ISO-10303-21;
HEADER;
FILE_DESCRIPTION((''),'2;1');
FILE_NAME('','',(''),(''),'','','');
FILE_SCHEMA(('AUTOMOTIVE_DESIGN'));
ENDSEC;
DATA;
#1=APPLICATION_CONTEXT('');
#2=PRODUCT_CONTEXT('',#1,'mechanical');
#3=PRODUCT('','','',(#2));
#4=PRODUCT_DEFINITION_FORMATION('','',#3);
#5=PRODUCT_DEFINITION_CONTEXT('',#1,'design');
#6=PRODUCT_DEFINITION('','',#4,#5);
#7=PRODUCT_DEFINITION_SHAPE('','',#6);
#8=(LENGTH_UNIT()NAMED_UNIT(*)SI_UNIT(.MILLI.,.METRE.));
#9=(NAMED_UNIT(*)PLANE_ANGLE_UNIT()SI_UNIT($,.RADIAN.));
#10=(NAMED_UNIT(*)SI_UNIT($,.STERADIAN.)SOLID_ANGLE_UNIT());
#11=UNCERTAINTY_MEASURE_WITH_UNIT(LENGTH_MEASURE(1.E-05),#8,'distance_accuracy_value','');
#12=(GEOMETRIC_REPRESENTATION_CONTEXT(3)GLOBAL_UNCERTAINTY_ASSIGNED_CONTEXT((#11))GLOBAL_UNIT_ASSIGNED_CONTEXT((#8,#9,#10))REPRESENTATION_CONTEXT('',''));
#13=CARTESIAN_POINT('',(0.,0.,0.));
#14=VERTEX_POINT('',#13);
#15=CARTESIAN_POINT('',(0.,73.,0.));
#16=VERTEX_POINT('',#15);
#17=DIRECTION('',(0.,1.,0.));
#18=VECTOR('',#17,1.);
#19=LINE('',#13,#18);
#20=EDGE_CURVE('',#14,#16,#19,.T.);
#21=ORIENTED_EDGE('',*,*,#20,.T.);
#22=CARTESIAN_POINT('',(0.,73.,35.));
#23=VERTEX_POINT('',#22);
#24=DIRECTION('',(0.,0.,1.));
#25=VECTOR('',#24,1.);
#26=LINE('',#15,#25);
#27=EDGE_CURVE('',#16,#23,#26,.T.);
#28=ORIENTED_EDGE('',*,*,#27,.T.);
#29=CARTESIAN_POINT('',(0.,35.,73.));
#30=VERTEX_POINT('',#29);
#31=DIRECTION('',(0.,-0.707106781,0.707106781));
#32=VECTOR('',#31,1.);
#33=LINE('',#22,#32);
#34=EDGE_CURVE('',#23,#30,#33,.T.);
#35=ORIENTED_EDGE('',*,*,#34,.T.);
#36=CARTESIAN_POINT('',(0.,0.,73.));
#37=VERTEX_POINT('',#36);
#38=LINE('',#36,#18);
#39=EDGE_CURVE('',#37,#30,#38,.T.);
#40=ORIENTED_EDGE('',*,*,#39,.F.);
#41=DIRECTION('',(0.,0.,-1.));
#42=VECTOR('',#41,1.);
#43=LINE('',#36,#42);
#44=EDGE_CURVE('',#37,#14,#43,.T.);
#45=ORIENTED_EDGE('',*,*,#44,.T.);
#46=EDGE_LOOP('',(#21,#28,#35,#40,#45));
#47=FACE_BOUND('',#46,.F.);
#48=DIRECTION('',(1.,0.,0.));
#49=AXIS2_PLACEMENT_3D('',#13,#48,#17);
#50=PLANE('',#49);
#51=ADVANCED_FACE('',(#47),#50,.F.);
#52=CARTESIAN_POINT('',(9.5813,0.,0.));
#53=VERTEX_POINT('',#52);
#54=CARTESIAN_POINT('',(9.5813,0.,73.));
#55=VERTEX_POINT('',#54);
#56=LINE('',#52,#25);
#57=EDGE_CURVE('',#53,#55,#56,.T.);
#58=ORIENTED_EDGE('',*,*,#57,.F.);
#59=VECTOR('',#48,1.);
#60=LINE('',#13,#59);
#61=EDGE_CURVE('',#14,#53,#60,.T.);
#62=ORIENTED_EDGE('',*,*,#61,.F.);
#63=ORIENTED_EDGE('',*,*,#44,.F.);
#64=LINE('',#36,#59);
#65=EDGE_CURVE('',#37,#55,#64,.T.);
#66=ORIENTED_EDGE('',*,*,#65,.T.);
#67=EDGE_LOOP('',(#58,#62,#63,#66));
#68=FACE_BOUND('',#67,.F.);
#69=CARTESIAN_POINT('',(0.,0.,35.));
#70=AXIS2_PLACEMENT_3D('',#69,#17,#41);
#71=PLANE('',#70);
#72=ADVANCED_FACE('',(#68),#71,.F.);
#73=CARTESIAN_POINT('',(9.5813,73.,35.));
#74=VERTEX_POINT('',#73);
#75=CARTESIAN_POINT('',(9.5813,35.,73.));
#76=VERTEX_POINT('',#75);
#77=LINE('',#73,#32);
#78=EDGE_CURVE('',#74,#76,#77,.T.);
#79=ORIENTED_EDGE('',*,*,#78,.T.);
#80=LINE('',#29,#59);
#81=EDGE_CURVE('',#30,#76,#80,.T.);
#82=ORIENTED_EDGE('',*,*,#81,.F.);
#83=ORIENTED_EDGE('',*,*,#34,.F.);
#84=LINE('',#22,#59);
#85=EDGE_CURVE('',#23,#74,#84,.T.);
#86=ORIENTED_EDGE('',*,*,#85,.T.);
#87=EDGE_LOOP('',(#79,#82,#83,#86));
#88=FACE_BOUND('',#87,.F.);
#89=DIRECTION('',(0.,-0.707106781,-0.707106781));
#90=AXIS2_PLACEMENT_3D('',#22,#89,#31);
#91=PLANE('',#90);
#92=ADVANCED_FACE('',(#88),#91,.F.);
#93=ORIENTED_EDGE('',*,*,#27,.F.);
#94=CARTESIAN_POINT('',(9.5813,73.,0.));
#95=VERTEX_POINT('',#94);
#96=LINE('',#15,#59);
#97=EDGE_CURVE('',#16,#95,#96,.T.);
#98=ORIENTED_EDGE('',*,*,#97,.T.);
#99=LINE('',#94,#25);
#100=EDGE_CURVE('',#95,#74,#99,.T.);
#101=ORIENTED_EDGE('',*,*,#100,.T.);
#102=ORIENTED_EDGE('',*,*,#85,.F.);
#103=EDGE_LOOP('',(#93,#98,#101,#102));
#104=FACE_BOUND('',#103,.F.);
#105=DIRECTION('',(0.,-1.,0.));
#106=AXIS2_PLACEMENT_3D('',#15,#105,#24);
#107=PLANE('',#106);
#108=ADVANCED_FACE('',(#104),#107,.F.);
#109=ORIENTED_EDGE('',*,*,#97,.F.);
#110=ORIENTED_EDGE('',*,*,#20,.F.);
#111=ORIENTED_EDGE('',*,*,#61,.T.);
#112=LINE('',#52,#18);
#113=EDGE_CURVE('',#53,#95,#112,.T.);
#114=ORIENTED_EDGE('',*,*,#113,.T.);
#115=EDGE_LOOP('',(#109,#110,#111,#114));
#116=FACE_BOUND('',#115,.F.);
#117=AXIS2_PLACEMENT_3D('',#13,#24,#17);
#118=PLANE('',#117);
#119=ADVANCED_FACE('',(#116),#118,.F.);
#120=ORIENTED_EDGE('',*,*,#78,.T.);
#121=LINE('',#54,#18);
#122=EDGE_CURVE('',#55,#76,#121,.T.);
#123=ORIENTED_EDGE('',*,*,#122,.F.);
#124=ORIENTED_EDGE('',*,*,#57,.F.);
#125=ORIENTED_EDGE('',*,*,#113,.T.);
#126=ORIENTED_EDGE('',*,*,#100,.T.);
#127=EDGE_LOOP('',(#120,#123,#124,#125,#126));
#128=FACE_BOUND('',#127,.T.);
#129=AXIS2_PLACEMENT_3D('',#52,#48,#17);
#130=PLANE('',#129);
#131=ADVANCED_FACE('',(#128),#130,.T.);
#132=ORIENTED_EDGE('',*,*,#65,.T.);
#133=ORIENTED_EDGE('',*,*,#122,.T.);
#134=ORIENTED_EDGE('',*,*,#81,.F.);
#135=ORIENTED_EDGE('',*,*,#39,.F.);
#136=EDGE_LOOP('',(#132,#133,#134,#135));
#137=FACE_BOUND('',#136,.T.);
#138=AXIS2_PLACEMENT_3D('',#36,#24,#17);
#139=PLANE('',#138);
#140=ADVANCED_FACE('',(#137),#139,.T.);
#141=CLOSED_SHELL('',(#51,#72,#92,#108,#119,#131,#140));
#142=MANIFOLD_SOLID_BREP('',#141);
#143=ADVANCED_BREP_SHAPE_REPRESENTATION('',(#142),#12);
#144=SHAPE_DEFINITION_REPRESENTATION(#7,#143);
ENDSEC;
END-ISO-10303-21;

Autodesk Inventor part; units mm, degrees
ref_plane "YZ Plane" through (0, 0, 0) normal (1, 0, 0) x (0, 1, 0)
ref_plane "XZ Plane" through (0, 0, 0) normal (0, 1, 0) x (-1, 0, 0)
ref_plane "XY Plane" through (0, 0, 0) normal (0, 0, 1) x (1, 0, 0)
sketch "Sketch1" plane through (0, 0, 0) normal (1, 0, 0) x (0, 1, 0)
  line L0 (0, 0) -> (73, 0)
  line L1 (73, 0) -> (73, 35)
  line L2 (73, 35) -> (0, 35)
  line L3 (0, 35) -> (0, 0)
  line L4 (73, 35) -> (35, 73)
  line L5 (73, 35) -> (200.2792, 35) construction
  line L6 (0, 73) -> (0, 35)
  line L7 (0, 73) -> (35, 73)
  dimension "d0" = 73
  dimension "d1" = 35
  dimension "d2" = 135
  dimension "d6" = 73
extrude "Extrusion1" add sketch "Sketch1" along normal blind 9.5813
equation "\"d6\" = d0"
properties part number "turret_lift" material "Pine"
